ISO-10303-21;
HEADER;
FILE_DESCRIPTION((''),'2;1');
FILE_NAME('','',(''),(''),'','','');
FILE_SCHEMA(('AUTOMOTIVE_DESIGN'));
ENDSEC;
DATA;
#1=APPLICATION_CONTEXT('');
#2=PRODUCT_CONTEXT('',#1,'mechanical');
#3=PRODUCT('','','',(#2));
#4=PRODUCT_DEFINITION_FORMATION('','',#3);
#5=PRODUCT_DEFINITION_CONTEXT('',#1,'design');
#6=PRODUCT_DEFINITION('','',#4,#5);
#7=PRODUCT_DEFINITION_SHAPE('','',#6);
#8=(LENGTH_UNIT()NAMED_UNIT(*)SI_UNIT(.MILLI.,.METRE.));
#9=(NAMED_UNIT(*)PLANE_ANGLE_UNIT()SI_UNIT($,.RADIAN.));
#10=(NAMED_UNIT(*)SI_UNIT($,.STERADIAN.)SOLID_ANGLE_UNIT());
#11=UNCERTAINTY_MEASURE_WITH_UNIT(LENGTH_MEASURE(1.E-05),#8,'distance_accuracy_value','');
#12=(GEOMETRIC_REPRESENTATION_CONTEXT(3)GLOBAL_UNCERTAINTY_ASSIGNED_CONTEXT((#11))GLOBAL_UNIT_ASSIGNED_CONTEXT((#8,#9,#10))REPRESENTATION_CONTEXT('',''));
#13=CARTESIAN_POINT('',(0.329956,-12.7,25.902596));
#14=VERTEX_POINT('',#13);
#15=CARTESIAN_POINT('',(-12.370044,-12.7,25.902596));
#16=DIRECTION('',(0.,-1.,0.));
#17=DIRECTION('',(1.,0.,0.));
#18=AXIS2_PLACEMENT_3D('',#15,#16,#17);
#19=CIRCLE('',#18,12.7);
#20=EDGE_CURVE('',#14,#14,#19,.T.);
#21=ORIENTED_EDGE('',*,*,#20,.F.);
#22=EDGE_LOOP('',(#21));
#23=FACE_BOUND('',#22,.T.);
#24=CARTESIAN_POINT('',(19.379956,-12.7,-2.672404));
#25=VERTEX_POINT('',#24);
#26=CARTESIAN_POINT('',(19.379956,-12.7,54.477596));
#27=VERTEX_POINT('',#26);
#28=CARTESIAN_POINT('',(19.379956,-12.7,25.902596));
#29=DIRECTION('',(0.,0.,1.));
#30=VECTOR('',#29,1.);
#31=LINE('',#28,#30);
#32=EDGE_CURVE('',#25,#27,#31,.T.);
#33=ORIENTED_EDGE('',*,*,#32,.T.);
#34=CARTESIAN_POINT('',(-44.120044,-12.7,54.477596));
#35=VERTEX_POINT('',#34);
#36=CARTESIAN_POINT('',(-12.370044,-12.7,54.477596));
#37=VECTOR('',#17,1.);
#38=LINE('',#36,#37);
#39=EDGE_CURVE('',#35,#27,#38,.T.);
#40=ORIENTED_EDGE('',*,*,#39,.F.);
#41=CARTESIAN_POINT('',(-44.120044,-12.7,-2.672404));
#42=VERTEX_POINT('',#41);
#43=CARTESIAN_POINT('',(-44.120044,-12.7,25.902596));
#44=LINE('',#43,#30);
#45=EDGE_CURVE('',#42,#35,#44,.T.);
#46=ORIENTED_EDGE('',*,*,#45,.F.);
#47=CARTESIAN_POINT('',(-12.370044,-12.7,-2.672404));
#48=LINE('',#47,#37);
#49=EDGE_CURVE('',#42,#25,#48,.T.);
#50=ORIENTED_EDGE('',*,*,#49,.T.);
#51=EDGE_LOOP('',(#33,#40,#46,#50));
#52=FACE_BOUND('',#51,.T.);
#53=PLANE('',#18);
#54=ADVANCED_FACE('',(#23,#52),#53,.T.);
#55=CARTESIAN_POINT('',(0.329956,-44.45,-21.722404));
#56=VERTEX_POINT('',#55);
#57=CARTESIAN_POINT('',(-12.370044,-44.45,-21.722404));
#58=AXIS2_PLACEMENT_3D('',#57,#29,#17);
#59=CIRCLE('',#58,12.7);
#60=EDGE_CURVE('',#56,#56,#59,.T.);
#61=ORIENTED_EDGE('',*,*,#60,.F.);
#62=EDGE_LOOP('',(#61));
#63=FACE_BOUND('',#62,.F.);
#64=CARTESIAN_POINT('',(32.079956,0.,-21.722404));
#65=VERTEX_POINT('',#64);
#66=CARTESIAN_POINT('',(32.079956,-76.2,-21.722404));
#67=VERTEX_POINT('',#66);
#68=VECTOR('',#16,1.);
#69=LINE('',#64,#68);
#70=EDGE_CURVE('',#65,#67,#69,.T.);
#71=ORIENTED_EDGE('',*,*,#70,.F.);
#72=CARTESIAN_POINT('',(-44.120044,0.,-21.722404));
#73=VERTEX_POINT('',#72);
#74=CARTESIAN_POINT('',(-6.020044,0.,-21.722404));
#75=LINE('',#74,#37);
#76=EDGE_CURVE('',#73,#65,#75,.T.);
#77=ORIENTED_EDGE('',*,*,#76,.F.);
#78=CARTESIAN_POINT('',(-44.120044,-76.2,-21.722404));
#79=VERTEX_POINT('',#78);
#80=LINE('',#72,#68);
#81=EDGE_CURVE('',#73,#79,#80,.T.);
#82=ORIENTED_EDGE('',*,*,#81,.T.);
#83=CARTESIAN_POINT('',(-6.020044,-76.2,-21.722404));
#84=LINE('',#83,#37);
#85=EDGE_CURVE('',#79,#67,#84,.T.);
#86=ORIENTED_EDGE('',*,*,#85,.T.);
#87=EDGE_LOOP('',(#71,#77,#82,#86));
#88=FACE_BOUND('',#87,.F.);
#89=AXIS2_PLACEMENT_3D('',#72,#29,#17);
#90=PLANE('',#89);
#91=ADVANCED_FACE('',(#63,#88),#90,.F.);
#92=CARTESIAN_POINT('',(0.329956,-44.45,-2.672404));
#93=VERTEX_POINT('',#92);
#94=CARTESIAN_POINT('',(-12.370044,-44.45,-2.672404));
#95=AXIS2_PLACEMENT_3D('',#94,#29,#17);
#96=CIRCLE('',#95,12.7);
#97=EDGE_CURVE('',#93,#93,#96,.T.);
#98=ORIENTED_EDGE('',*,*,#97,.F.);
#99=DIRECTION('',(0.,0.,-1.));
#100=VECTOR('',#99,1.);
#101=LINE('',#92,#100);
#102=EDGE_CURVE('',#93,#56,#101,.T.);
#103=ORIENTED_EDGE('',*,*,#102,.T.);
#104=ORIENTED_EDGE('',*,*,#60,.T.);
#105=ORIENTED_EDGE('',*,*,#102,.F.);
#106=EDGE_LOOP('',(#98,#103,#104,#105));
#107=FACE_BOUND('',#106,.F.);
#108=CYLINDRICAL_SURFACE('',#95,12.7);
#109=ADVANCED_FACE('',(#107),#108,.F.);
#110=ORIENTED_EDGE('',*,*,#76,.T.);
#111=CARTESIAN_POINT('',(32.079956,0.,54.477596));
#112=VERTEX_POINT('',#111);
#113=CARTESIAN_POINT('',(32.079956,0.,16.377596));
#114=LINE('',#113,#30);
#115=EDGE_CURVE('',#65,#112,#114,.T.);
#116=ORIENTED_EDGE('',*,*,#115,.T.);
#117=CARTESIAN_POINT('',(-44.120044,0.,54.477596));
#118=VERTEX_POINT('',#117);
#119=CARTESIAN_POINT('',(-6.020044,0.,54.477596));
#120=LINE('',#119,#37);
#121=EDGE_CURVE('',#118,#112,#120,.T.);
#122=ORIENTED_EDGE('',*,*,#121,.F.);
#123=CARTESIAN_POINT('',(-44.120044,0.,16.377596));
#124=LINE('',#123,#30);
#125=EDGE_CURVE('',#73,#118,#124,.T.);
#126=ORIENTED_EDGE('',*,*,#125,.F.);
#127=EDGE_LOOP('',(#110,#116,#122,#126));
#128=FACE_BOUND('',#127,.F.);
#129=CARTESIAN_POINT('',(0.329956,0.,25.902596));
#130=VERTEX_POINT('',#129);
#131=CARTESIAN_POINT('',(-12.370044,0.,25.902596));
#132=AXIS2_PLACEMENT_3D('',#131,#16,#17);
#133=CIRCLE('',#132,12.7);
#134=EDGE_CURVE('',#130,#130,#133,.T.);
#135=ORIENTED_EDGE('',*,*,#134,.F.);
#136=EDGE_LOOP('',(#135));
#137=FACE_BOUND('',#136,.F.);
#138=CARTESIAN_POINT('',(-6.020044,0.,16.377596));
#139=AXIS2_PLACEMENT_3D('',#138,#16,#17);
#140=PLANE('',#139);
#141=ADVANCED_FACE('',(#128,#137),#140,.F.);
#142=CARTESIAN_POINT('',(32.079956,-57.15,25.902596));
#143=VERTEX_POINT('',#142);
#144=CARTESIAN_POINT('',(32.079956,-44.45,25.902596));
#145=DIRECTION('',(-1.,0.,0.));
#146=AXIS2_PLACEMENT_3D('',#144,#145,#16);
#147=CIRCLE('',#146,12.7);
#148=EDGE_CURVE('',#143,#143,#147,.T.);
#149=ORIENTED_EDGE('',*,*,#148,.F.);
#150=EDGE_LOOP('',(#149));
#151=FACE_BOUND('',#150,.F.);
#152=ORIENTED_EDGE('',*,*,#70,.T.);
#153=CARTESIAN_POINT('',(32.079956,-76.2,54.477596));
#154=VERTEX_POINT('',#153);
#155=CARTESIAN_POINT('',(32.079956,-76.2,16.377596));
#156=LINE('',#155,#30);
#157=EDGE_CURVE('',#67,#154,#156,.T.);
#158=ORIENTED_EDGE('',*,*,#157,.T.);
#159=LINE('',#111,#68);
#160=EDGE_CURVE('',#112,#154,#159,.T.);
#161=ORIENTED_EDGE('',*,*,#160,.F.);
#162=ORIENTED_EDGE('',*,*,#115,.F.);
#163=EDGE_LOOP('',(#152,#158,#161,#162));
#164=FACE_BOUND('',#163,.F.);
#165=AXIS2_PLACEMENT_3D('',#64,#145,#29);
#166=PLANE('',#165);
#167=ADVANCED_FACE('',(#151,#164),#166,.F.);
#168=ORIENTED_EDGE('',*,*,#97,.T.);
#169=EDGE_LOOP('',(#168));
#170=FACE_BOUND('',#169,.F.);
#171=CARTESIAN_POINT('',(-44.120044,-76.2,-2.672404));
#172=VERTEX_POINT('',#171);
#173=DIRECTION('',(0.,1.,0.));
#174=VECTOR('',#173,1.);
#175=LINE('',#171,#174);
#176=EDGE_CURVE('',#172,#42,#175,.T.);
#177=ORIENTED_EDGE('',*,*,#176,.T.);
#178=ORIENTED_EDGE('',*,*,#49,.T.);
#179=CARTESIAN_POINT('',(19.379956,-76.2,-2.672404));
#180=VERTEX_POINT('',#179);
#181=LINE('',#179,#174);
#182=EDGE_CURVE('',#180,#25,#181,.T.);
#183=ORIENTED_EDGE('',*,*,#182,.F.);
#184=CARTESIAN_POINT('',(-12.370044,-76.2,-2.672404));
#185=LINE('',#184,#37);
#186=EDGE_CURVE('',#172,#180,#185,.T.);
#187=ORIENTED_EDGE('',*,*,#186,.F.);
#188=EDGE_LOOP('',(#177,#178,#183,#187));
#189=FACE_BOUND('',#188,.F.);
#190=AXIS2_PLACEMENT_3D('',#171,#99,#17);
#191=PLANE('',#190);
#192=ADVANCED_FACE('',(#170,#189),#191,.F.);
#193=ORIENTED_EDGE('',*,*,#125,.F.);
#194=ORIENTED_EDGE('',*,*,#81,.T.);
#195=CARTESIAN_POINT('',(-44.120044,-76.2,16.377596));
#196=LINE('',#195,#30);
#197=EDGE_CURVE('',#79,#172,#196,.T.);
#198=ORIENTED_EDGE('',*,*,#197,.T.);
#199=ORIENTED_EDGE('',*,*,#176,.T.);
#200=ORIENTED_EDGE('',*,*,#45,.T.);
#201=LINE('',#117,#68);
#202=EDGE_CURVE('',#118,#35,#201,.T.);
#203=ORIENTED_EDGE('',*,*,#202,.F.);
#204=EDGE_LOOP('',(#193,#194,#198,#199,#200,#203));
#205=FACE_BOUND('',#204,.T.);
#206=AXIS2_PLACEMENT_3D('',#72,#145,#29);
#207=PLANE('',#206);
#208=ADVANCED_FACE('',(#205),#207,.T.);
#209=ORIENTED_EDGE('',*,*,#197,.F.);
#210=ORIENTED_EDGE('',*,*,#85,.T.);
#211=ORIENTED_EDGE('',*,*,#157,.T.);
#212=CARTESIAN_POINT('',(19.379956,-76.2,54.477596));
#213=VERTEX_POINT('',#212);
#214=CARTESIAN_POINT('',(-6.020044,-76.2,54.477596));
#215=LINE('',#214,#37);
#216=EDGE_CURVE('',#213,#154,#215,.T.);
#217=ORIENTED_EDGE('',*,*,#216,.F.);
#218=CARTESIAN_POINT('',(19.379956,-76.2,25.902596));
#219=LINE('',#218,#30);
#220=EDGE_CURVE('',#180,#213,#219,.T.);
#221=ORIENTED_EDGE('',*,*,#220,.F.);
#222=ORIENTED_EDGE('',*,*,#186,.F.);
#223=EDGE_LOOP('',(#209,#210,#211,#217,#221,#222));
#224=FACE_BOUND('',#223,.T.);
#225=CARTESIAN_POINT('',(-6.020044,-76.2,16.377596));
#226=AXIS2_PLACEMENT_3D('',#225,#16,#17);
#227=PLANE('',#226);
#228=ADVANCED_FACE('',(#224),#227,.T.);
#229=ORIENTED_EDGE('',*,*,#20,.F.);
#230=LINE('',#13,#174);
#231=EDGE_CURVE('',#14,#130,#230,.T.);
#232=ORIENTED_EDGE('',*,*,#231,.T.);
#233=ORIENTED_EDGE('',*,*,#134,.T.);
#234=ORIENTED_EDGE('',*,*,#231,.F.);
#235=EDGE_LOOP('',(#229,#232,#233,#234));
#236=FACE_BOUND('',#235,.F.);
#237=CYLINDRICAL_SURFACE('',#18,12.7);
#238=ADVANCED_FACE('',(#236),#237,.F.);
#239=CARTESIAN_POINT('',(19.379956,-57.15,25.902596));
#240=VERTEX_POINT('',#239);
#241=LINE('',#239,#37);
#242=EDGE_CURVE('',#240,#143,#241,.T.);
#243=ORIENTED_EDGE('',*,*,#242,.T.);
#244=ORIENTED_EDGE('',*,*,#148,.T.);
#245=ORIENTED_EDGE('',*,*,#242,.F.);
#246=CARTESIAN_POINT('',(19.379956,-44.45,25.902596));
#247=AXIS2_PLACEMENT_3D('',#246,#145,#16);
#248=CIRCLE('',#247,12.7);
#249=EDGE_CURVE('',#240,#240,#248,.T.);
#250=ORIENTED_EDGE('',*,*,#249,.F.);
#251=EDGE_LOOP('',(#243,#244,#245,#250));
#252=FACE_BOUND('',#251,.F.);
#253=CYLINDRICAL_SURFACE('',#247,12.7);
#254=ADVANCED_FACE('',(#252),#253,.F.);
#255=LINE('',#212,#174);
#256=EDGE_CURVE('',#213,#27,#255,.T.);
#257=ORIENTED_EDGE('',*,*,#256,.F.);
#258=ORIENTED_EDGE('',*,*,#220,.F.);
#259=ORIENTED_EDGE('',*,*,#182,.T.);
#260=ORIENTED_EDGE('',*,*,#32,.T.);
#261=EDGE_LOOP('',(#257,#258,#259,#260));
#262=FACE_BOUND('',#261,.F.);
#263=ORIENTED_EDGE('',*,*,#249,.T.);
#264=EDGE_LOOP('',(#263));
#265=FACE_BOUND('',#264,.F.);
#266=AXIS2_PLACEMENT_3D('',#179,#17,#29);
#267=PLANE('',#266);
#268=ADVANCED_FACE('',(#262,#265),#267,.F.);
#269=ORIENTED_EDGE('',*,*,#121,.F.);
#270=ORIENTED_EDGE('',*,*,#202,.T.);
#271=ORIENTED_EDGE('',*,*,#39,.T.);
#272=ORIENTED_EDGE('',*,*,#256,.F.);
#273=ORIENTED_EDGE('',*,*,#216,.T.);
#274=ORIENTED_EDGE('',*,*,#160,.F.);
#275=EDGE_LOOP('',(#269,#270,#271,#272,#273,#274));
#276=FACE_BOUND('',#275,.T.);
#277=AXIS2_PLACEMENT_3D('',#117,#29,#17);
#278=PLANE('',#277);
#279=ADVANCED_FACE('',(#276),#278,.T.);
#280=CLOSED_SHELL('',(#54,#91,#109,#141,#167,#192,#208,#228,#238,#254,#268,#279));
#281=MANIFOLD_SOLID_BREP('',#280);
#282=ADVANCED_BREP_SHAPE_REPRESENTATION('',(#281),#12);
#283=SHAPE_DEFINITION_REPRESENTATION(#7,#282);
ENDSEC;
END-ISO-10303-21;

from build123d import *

# Parameters (mm, degrees)
F0_W     = 76.2
F0_H     = 76.2
F1_DEPTH = 76.2
F2_W     = 63.5
F2_H     = 57.15
F3_DEPTH = 63.5
F5_R     = 12.7
F7_DEPTH = 25.4
F6_R     = 12.7
F8_DEPTH = 25.4
F4_R     = 12.7
F9_DEPTH = 25.4


with BuildPart() as f1:
    # F0 (on Front) → F1 (new body)
    with BuildSketch(Plane.XZ):
        with Locations((-6.020044, 16.377596)):
            Rectangle(F0_W, F0_H)
    extrude(amount=F1_DEPTH)

    # F2 (on face) → F3 (cut)
    with BuildSketch(Plane.XZ.offset(76.2)):
        with Locations((-12.370044, 25.902596)):
            Rectangle(F2_W, F2_H)
    extrude(amount=-F3_DEPTH, mode=Mode.SUBTRACT)

    # F5 (on face) → F7 (cut)
    with BuildSketch(Plane(origin=(19.379956, 0, 0), x_dir=(0, -1, 0), z_dir=(-1, 0, 0))):
        with Locations((44.45, 25.902596)):
            Circle(F5_R)
    extrude(amount=-F7_DEPTH, mode=Mode.SUBTRACT)

    # F6 (on face) → F8 (cut)
    with BuildSketch(Plane.XZ.offset(12.7)):
        with Locations((-12.370044, 25.902596)):
            Circle(F6_R)
    extrude(amount=-F8_DEPTH, mode=Mode.SUBTRACT)

    # F4 (on face) → F9 (cut)
    with BuildSketch(Plane.XY.offset(-2.672404)):
        with Locations((-12.370044, -44.45)):
            Circle(F4_R)
    extrude(amount=-F9_DEPTH, mode=Mode.SUBTRACT)


solid = f1.part
